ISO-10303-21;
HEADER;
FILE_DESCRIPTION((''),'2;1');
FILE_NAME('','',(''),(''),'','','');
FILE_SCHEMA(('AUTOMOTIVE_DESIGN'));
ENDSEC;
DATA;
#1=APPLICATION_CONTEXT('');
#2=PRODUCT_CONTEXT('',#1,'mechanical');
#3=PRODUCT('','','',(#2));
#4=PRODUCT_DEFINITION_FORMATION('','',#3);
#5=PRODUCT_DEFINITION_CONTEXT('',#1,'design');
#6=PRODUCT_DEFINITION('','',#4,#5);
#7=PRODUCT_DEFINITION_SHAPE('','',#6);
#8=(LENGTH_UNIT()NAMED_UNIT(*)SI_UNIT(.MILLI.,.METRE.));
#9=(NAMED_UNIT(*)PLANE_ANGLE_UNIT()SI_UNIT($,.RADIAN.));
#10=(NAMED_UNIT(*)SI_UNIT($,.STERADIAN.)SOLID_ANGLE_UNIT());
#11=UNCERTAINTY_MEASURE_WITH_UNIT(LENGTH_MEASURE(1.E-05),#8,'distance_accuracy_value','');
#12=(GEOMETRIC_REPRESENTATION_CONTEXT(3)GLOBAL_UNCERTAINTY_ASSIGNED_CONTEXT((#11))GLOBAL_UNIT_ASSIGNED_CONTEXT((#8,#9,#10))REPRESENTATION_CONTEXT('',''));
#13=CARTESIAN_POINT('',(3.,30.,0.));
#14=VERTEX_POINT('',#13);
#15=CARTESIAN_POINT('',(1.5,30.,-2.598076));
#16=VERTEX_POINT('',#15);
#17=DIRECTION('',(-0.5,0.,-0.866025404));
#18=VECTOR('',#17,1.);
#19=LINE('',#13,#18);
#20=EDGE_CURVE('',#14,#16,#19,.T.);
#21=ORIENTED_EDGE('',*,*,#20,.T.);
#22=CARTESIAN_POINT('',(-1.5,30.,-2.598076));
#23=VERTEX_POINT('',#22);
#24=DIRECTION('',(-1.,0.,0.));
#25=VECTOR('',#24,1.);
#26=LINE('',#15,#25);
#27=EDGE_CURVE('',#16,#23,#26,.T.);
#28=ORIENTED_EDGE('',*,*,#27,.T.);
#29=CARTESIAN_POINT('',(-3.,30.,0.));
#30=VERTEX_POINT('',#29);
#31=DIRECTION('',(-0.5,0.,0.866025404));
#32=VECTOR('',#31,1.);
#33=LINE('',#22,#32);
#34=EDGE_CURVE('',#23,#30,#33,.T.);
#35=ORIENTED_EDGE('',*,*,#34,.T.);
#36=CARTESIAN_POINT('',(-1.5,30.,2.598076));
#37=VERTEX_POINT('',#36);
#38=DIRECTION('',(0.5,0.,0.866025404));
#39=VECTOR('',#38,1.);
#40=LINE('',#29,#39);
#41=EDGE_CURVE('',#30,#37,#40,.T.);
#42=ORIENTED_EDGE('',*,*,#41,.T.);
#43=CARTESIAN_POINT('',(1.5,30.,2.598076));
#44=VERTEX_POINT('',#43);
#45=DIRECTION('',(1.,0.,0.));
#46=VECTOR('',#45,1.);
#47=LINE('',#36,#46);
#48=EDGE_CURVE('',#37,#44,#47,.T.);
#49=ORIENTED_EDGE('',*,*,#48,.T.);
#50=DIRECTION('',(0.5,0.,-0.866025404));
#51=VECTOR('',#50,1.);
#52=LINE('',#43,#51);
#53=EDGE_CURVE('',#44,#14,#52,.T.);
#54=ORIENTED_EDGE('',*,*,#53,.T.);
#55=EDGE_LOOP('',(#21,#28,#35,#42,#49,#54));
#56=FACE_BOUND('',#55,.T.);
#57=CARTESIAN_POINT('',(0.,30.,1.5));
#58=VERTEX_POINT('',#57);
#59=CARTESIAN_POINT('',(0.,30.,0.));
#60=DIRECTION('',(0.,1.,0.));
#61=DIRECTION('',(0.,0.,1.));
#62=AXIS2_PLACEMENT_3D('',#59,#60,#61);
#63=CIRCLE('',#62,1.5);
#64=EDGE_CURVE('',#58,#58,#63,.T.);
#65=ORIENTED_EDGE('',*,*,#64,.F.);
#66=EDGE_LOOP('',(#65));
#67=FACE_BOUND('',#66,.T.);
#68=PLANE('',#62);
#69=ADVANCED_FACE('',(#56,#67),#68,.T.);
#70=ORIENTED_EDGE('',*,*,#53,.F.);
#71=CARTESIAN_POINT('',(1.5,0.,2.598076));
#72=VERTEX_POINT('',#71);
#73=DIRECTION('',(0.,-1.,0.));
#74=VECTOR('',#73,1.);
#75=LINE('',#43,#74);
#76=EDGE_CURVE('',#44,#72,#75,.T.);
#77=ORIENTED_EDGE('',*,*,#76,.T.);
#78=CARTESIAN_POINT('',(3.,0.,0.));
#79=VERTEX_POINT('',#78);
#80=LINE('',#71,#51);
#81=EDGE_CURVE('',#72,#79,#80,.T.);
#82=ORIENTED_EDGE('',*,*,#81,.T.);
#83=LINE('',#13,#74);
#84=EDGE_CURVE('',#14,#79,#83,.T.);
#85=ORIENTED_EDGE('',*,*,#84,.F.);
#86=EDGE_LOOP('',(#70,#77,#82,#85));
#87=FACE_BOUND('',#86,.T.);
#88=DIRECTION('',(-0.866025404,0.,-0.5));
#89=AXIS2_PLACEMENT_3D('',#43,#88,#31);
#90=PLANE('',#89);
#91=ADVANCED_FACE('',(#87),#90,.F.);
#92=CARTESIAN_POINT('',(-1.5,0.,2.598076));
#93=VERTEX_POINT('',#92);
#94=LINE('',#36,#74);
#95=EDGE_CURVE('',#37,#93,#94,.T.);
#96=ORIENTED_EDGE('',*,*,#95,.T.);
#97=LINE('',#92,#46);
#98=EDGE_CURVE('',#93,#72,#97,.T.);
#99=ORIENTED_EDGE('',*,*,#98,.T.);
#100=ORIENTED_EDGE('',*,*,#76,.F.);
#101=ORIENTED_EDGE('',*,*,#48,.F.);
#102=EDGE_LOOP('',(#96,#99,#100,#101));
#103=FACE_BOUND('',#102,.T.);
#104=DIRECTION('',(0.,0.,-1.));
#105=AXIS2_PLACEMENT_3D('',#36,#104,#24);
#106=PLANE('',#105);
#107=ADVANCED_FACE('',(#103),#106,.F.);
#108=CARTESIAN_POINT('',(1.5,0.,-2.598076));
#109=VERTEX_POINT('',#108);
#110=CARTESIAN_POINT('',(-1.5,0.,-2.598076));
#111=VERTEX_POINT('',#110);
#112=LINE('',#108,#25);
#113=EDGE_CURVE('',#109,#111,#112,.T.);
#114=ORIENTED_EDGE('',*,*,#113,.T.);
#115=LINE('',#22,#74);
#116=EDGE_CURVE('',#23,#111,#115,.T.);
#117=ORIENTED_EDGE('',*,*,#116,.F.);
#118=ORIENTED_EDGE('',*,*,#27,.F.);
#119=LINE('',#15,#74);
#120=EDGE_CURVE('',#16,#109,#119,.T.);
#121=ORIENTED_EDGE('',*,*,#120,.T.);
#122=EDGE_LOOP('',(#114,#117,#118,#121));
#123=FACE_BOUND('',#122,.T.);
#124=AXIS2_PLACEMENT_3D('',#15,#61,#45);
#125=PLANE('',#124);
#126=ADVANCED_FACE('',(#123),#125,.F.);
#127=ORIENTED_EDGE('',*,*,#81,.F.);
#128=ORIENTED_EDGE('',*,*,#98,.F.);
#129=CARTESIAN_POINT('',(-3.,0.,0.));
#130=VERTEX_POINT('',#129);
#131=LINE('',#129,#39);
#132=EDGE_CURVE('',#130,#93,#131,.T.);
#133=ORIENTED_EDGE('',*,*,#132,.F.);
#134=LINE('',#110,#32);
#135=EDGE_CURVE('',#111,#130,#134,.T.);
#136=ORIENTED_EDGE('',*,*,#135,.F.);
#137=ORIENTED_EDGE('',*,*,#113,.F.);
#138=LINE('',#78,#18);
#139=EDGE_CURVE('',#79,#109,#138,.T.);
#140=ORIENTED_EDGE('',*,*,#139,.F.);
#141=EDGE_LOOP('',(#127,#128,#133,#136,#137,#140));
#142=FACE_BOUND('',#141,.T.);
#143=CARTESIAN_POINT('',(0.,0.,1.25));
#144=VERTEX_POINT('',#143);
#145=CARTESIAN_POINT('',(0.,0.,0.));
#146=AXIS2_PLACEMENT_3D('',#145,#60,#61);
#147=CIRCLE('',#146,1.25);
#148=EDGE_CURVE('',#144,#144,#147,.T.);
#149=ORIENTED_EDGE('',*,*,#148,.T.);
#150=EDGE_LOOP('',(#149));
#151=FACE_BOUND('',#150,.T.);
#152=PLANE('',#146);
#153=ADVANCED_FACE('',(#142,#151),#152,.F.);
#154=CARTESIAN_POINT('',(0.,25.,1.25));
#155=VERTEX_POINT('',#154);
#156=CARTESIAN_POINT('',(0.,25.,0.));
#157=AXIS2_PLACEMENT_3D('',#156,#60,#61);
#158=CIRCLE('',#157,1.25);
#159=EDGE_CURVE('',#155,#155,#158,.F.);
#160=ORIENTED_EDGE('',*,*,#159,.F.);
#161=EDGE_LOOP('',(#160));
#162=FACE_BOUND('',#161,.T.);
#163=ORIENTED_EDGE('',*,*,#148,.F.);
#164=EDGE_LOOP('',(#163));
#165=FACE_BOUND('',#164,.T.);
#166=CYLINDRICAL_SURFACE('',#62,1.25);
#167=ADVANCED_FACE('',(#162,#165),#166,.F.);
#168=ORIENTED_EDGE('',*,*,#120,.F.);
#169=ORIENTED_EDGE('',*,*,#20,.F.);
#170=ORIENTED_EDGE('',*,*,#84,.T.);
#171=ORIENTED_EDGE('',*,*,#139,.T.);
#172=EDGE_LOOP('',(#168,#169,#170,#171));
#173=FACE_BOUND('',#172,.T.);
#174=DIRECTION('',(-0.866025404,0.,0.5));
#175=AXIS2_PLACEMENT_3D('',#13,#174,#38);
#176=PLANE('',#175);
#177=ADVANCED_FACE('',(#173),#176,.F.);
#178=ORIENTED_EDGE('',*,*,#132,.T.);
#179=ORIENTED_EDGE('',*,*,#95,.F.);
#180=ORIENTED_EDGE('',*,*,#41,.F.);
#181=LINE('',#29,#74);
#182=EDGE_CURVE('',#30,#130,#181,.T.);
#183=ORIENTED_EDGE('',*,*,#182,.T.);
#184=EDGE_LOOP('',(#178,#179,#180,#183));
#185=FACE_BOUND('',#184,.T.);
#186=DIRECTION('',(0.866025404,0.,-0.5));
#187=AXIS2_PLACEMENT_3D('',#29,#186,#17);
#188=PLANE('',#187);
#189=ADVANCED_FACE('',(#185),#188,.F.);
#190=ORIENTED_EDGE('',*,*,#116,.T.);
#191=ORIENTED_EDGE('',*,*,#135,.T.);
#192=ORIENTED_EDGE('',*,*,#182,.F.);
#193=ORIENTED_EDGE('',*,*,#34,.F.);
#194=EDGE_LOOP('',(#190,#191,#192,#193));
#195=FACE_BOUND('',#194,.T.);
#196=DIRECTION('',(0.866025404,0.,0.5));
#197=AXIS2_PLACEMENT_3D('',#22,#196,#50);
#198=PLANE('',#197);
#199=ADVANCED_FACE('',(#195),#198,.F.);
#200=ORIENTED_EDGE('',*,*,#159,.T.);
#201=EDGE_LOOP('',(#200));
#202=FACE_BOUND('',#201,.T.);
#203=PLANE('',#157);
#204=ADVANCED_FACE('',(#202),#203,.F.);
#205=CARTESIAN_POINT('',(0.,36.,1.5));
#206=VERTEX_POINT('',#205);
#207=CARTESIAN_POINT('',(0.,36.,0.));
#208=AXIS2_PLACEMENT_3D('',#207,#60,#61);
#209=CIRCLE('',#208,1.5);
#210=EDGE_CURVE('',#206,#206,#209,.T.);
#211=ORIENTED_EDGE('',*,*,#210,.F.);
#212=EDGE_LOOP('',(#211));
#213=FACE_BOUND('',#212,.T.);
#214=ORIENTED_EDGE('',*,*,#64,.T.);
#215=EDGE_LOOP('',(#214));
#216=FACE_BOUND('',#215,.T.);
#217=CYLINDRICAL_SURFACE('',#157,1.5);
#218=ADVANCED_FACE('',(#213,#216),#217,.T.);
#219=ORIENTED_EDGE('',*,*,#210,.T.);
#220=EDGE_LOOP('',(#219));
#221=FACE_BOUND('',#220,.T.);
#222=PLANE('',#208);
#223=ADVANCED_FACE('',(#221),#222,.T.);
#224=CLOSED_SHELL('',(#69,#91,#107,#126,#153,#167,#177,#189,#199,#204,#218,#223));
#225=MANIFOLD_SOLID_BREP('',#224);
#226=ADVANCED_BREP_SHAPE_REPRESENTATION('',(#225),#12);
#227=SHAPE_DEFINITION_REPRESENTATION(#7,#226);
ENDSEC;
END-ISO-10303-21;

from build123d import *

# Parameters (mm, degrees)
EXTRUDE_1_DEPTH      = 30
HOLE_WIZARD_M3_1_D   = 2.5
EXTRUDE_3_DEPTH      = 6
EXTRUDE_3_DEPTH_BACK = 5
SKETCH_4_R           = 1.5


with BuildPart() as part:
    # 草图1 → 凸台-拉伸1 (new body)
    with BuildSketch(Plane(origin=(0, 0, 0), x_dir=(1, 0, 0), z_dir=(0, 1, 0))):
        Polygon((1.5, 2.598076211), (-1.5, 2.598076211), (-3, 0), (-1.5, -2.598076211), (1.5, -2.598076211), (3, 0), align=None)
    extrude(amount=EXTRUDE_1_DEPTH)

    # M3 螺纹孔1 (through all)
    with Locations(Plane(origin=(0, 30, 0), x_dir=(1, 0, 0), z_dir=(0, 1, 0))):
        with Locations((0, 0)):
            Hole(HOLE_WIZARD_M3_1_D / 2)

    # 草图4 → 凸台-拉伸3 (add, two sides: drawn at the far end of the back side and taken through both)
    with BuildSketch(Plane(origin=(0, 30, 0), x_dir=(1, 0, 0), z_dir=(0, 1, 0)).offset(-EXTRUDE_3_DEPTH_BACK)):
        with Locations(Location((0, 0, 0), (0, 0, 270))):
            Circle(SKETCH_4_R)
    extrude(amount=EXTRUDE_3_DEPTH + EXTRUDE_3_DEPTH_BACK)


solid = part.part
